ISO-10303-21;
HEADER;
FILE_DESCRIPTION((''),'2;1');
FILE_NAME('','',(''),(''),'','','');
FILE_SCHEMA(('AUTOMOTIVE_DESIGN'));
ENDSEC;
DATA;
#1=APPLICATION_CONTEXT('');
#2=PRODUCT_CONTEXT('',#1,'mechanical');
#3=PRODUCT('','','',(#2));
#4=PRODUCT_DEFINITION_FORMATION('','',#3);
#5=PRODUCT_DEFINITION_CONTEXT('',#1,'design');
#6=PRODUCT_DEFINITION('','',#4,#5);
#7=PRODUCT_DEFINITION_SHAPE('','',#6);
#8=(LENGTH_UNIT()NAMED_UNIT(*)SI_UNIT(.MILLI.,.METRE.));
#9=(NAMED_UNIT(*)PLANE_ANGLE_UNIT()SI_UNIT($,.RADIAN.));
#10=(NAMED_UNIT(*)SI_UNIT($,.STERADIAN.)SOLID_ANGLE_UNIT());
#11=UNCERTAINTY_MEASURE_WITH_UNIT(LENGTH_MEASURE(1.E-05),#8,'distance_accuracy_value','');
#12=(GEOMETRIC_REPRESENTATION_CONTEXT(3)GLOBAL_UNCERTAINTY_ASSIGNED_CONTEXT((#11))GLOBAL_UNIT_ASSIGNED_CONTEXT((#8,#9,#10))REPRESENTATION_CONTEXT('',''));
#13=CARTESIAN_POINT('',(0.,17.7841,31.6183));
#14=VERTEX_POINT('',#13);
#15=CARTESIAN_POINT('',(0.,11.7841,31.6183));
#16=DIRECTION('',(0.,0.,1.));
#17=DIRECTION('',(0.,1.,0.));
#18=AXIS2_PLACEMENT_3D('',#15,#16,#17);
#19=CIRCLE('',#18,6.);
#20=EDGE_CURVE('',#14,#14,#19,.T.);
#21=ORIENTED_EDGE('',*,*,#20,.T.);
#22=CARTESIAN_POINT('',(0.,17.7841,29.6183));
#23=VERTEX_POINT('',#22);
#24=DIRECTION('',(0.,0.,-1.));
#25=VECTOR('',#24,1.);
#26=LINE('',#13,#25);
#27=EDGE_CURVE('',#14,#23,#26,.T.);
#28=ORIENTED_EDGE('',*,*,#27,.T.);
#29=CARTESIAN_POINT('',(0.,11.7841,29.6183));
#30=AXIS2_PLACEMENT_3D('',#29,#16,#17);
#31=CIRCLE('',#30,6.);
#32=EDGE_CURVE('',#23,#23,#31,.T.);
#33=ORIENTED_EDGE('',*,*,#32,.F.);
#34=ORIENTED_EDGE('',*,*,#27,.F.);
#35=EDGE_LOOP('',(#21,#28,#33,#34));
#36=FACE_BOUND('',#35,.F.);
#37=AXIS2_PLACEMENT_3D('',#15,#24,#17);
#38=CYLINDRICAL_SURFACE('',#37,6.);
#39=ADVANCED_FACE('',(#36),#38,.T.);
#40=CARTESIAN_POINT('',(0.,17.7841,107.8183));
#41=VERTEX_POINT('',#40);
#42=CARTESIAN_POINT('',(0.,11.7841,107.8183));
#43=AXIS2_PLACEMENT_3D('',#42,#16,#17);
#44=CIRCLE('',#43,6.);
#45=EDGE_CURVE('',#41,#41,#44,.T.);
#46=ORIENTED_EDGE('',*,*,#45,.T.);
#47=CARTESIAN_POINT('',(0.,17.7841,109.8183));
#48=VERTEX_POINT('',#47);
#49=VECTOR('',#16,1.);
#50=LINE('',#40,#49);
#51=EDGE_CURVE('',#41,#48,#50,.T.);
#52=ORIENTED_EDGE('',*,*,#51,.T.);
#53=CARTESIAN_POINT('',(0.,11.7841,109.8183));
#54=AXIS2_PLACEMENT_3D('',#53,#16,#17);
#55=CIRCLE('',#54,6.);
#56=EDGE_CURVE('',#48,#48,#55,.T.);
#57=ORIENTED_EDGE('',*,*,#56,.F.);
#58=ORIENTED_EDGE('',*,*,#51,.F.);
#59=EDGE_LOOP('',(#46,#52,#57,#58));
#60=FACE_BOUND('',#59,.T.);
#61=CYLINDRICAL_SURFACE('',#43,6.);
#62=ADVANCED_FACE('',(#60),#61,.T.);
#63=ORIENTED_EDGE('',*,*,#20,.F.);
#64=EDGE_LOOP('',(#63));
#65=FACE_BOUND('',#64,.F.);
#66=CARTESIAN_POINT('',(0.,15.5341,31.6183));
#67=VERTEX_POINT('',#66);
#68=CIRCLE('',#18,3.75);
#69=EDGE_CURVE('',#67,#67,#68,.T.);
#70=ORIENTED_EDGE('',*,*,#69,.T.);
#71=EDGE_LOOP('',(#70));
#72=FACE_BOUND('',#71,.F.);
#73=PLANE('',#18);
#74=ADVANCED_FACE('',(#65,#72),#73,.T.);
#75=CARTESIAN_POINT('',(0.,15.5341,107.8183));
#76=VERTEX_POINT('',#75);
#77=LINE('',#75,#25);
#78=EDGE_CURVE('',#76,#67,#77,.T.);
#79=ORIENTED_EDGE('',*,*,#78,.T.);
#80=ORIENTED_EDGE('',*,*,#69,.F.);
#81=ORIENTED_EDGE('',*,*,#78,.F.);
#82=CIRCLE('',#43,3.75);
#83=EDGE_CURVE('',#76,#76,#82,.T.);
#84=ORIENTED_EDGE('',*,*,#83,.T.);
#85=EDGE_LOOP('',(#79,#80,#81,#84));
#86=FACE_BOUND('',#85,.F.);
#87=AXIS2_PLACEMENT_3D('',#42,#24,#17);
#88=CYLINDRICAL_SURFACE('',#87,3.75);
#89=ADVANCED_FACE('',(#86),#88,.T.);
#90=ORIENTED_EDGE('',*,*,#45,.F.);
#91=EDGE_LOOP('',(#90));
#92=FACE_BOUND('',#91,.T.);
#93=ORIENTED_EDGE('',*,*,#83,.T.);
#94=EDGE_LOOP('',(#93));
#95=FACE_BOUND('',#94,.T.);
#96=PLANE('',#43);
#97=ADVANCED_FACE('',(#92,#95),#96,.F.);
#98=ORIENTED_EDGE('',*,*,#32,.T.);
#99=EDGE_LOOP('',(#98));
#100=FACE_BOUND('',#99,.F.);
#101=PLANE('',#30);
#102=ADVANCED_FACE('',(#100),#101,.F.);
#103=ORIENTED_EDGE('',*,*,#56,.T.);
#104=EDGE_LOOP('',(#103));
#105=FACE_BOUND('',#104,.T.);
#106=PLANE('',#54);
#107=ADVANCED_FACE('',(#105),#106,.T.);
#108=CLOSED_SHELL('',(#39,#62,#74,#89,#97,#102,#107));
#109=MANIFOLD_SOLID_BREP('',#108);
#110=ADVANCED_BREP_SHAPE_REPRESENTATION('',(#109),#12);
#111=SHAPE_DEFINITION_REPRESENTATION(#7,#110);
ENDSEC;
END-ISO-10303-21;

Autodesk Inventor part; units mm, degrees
ref_plane "YZ Plane" through (0, 0, 0) normal (1, 0, 0) x (0, 1, 0)
ref_plane "XZ Plane" through (0, 0, 0) normal (0, 1, 0) x (-1, 0, 0)
ref_plane "XY Plane" through (0, 0, 0) normal (0, 0, 1) x (1, 0, 0)
sketch "Sketch1" plane through (0, 0, 0) normal (1, 0, 0) x (0, 1, 0)
  line L0 (11.7841, 107.8183) -> (15.5341, 107.8183)
  line L1 (15.5341, 107.8183) -> (15.5341, 31.6183)
  line L2 (15.5341, 31.6183) -> (11.7841, 31.6183)
  line L3 (11.7841, 31.6183) -> (11.7841, 107.8183)
  line L4 (11.7841, 107.8183) -> (17.7841, 107.8183)
  line L5 (17.7841, 107.8183) -> (17.7841, 109.8183)
  line L6 (17.7841, 109.8183) -> (11.7841, 109.8183)
  line L7 (11.7841, 109.8183) -> (11.7841, 107.8183)
  line L8 (11.7841, 31.6183) -> (17.7841, 31.6183)
  line L9 (17.7841, 31.6183) -> (17.7841, 29.6183)
  line L10 (17.7841, 29.6183) -> (11.7841, 29.6183)
  line L11 (11.7841, 29.6183) -> (11.7841, 31.6183)
  point P0 (0, 0)
  point P1 (15.5341, 31.6183)
  dimension "d0" = 3.75
  dimension "d1" = 76.2
  dimension "d2" = 6
  dimension "d3" = 2
revolve "Revolution1" add sketch "Sketch1" angle 360 about axis through (0, 11.7841, 31.6183) along (0, 0, 1)
properties part number "trzpien" material "Stainless Steel"
